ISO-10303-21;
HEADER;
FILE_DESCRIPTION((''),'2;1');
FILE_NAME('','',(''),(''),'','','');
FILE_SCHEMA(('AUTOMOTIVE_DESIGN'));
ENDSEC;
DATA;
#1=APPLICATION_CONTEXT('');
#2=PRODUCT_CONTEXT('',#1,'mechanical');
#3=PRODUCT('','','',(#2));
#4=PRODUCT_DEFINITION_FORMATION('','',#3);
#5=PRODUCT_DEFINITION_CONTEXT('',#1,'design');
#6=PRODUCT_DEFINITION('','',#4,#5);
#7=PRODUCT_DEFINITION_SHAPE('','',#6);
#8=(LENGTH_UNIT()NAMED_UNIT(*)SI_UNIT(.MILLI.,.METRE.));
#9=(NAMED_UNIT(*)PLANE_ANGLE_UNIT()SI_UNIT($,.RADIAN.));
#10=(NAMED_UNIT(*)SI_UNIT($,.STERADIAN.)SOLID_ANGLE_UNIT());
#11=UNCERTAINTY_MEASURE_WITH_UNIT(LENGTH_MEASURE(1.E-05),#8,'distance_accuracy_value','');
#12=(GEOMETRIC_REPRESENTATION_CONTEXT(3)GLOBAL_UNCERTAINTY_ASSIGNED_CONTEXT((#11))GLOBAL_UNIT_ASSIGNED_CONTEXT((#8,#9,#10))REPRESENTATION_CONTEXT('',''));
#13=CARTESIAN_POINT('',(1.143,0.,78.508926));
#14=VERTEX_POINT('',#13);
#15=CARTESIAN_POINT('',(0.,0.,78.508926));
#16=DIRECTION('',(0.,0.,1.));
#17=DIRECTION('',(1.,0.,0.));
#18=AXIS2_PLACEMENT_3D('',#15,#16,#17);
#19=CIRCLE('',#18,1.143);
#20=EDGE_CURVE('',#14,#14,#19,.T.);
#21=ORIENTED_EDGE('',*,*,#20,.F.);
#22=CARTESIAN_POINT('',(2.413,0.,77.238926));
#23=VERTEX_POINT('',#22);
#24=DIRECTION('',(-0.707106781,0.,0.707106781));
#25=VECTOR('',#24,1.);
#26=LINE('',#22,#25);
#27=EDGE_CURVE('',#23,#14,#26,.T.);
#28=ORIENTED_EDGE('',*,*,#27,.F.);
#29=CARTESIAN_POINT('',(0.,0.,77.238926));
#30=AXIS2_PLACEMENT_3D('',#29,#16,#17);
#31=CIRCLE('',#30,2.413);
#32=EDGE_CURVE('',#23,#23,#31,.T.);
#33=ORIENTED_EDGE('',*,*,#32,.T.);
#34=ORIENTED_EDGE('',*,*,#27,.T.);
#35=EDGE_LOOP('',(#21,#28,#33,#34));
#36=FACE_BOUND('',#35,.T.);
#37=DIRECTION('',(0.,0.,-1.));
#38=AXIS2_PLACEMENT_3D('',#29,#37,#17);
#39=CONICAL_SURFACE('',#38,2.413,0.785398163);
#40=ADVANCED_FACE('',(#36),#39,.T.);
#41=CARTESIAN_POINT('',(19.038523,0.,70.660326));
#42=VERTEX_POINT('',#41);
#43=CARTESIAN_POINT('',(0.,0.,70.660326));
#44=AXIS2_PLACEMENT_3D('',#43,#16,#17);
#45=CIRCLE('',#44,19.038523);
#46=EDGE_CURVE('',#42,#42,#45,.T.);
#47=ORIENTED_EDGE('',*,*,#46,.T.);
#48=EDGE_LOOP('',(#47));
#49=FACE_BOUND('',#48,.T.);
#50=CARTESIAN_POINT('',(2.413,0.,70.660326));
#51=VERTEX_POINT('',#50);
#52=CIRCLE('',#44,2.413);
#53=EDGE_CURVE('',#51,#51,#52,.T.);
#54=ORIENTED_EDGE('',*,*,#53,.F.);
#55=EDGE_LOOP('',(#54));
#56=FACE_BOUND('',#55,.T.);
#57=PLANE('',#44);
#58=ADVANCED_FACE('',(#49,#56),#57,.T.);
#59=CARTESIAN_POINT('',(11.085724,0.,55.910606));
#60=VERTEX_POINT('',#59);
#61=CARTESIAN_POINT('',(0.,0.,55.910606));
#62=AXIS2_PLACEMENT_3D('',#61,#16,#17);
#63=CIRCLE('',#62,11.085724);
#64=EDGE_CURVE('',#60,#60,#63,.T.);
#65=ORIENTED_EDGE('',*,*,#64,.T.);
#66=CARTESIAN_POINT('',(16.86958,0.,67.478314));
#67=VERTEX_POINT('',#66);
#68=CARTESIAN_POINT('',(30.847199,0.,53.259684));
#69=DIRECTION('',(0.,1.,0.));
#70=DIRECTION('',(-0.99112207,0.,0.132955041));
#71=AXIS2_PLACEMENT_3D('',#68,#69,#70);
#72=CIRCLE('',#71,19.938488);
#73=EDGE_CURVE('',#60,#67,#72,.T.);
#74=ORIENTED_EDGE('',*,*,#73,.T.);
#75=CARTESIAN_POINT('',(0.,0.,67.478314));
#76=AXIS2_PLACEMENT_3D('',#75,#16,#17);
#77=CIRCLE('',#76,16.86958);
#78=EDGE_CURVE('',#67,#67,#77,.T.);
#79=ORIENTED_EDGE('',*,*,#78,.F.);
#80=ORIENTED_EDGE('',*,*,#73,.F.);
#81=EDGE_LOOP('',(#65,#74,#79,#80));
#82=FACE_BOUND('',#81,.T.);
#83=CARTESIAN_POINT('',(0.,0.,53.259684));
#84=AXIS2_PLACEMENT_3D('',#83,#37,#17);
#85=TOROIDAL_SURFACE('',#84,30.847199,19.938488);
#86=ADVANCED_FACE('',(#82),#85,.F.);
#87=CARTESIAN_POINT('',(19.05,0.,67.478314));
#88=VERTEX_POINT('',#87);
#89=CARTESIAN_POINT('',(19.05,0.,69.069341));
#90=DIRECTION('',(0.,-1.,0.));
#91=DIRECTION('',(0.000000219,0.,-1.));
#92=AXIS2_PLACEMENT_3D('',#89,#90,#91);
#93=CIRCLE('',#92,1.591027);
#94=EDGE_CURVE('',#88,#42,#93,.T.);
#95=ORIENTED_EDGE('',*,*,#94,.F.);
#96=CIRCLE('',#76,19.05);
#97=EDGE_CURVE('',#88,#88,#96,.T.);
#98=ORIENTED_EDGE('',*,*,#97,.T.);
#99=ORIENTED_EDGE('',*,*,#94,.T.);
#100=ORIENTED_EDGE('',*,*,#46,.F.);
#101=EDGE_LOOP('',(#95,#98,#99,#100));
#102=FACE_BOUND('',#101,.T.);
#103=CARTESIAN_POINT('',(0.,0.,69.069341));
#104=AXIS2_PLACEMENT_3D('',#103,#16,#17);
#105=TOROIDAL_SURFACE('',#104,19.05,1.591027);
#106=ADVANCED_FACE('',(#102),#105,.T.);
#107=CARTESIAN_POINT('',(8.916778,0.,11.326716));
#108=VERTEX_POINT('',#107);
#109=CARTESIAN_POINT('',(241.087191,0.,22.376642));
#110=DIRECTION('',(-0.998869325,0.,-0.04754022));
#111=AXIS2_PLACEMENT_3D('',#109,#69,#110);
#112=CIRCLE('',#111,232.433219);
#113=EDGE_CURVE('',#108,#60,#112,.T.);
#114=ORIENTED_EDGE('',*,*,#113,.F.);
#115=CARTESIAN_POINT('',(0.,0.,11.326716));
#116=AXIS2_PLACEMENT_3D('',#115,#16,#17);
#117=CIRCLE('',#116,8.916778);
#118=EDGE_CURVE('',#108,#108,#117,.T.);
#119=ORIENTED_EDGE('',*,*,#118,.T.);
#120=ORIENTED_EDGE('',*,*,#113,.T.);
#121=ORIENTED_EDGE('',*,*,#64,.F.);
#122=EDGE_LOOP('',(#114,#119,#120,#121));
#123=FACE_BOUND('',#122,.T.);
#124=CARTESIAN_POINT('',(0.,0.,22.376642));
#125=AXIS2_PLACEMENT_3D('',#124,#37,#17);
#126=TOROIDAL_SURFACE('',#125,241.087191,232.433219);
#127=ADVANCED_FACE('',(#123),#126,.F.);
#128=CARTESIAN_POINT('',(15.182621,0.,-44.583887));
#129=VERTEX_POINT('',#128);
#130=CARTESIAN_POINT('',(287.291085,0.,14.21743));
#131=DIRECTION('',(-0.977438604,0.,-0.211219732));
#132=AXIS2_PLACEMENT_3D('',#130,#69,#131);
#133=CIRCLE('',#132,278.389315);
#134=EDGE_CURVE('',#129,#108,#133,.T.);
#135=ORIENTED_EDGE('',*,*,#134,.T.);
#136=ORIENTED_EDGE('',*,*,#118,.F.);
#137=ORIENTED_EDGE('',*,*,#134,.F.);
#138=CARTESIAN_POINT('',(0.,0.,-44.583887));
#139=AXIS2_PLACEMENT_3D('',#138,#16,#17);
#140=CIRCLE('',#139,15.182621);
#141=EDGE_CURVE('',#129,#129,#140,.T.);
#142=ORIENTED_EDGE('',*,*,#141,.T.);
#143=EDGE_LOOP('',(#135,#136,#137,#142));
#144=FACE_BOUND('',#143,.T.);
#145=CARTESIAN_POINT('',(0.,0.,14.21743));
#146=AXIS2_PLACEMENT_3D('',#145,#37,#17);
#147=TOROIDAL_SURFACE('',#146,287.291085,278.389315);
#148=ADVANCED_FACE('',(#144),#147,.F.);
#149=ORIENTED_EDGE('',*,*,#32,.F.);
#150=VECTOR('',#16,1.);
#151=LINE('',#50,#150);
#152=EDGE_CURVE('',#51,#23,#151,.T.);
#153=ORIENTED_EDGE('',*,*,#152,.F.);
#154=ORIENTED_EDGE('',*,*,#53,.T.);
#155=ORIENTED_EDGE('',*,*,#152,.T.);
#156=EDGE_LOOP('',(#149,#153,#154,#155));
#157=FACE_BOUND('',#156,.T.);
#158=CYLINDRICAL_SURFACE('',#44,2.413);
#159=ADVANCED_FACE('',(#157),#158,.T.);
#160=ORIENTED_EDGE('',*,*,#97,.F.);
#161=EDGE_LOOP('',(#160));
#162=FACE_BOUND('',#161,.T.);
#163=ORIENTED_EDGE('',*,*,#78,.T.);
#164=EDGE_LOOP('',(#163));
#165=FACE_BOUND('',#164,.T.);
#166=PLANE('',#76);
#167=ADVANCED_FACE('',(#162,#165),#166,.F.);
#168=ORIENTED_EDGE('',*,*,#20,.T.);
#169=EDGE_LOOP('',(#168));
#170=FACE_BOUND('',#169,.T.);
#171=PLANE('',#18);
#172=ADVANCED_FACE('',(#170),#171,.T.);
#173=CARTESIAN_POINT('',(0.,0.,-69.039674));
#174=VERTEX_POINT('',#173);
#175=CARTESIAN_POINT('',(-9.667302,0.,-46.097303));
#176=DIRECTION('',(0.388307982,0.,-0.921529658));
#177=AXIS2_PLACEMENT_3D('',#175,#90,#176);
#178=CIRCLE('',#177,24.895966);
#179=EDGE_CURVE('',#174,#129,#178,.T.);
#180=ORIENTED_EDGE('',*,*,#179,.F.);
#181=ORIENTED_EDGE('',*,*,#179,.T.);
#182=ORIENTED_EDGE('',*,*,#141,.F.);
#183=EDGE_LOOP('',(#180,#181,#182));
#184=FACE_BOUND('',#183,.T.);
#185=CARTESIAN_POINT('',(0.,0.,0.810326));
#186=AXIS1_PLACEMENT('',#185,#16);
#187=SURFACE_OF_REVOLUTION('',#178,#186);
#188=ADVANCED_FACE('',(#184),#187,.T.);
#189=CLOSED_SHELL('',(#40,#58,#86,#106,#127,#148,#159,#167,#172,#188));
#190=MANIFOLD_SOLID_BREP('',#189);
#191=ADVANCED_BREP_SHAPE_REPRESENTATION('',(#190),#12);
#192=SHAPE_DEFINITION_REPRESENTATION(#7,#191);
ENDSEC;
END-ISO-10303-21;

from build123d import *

# Parameters (mm, degrees)
F2_SIZE = 1.27


with BuildPart() as f1:
    # F0 (on Front) → F1 (revolve)
    with BuildSketch(Plane.XZ):
        with BuildLine():
            Line((0, 78.508926), (0, 70.660326))
            Line((0, 70.660326), (0, 67.478314))
            Line((0, 67.478314), (16.86958, 67.478314))
            Line((16.86958, 67.478314), (19.05, 67.478314))
            ThreePointArc((19.05, 67.478314), (20.641016, 69.075079), (19.038523, 70.660326))
            Line((19.038523, 70.660326), (2.413, 70.660326))
            Line((2.413, 70.660326), (2.413, 78.508926))
            Line((2.413, 78.508926), (0, 78.508926))
        make_face()
        with BuildLine():
            Line((16.86958, 67.478314), (0, 67.478314))
            Line((0, 67.478314), (0, -69.039674))
            ThreePointArc((0, -69.039674), (11.484083, -59.228488), (15.182621, -44.583887))
            ThreePointArc((15.182621, -44.583887), (10.633681, -16.787277), (8.916778, 11.326716))
            ThreePointArc((8.916778, 11.326716), (8.928533, 33.670847), (11.085724, 55.910606))
            ThreePointArc((11.085724, 55.910606), (13.013675, 62.176449), (16.86958, 67.478314))
        make_face()
    revolve(axis=Axis((0, 0, 0.810326), (0, 0, 1)))

    # F2
    f2_edges = [f1.edges().sort_by_distance(p)[0] for p in [
        (-2.413, 0, 78.508926),
    ]]
    chamfer(f2_edges, length=F2_SIZE)


solid = f1.part
